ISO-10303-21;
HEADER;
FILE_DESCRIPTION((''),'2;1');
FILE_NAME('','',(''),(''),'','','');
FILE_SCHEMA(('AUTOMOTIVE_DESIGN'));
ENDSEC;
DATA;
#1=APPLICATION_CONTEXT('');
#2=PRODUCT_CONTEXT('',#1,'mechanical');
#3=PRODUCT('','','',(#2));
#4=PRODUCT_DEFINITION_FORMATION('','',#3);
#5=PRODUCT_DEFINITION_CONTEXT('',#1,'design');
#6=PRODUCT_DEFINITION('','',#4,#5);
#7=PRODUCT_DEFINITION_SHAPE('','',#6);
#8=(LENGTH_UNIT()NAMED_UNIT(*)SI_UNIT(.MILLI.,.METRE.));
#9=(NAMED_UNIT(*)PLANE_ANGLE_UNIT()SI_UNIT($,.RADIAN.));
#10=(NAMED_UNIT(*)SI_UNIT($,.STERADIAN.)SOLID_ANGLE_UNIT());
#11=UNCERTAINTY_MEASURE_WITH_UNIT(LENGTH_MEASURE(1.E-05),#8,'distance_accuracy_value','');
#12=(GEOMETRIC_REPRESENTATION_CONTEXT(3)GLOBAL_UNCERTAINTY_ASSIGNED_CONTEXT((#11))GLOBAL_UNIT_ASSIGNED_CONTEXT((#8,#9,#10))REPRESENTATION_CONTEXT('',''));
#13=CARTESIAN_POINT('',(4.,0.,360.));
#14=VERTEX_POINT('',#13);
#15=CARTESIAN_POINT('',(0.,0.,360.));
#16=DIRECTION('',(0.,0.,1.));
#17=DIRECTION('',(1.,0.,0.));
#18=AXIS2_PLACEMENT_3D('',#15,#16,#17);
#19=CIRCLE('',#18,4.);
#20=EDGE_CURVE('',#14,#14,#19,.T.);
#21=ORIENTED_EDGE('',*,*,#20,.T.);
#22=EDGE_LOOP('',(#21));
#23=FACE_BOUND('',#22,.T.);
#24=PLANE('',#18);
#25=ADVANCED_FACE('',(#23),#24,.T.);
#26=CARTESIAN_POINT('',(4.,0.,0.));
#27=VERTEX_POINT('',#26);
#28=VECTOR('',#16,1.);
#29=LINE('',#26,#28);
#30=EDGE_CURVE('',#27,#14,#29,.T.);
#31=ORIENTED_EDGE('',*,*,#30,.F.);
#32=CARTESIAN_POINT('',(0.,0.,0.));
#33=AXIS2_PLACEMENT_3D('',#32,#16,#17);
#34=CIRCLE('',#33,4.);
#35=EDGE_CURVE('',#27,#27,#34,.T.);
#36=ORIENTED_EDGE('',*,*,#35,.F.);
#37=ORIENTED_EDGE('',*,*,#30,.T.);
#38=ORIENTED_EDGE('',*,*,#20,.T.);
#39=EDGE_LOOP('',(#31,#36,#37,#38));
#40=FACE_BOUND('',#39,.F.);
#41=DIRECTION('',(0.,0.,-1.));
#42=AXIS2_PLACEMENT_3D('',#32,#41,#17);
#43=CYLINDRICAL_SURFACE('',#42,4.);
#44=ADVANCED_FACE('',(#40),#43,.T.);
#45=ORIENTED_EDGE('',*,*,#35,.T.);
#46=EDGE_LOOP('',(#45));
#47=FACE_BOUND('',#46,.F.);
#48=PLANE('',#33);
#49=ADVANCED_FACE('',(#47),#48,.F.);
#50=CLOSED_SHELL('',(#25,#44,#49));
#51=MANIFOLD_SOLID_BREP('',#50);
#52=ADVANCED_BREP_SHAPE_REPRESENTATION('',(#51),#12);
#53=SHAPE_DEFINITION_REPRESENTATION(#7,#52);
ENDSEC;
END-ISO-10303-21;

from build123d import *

# Parameters (mm, degrees)
ESBO_O1_R                = 4
RESSALTO_EXTRUS_O1_DEPTH = 360


with BuildPart() as part:
    # Esboço1 → Ressalto-extrusão1 (new body)
    with BuildSketch(Plane.XY):
        Circle(ESBO_O1_R)
    extrude(amount=RESSALTO_EXTRUS_O1_DEPTH)


solid = part.part
